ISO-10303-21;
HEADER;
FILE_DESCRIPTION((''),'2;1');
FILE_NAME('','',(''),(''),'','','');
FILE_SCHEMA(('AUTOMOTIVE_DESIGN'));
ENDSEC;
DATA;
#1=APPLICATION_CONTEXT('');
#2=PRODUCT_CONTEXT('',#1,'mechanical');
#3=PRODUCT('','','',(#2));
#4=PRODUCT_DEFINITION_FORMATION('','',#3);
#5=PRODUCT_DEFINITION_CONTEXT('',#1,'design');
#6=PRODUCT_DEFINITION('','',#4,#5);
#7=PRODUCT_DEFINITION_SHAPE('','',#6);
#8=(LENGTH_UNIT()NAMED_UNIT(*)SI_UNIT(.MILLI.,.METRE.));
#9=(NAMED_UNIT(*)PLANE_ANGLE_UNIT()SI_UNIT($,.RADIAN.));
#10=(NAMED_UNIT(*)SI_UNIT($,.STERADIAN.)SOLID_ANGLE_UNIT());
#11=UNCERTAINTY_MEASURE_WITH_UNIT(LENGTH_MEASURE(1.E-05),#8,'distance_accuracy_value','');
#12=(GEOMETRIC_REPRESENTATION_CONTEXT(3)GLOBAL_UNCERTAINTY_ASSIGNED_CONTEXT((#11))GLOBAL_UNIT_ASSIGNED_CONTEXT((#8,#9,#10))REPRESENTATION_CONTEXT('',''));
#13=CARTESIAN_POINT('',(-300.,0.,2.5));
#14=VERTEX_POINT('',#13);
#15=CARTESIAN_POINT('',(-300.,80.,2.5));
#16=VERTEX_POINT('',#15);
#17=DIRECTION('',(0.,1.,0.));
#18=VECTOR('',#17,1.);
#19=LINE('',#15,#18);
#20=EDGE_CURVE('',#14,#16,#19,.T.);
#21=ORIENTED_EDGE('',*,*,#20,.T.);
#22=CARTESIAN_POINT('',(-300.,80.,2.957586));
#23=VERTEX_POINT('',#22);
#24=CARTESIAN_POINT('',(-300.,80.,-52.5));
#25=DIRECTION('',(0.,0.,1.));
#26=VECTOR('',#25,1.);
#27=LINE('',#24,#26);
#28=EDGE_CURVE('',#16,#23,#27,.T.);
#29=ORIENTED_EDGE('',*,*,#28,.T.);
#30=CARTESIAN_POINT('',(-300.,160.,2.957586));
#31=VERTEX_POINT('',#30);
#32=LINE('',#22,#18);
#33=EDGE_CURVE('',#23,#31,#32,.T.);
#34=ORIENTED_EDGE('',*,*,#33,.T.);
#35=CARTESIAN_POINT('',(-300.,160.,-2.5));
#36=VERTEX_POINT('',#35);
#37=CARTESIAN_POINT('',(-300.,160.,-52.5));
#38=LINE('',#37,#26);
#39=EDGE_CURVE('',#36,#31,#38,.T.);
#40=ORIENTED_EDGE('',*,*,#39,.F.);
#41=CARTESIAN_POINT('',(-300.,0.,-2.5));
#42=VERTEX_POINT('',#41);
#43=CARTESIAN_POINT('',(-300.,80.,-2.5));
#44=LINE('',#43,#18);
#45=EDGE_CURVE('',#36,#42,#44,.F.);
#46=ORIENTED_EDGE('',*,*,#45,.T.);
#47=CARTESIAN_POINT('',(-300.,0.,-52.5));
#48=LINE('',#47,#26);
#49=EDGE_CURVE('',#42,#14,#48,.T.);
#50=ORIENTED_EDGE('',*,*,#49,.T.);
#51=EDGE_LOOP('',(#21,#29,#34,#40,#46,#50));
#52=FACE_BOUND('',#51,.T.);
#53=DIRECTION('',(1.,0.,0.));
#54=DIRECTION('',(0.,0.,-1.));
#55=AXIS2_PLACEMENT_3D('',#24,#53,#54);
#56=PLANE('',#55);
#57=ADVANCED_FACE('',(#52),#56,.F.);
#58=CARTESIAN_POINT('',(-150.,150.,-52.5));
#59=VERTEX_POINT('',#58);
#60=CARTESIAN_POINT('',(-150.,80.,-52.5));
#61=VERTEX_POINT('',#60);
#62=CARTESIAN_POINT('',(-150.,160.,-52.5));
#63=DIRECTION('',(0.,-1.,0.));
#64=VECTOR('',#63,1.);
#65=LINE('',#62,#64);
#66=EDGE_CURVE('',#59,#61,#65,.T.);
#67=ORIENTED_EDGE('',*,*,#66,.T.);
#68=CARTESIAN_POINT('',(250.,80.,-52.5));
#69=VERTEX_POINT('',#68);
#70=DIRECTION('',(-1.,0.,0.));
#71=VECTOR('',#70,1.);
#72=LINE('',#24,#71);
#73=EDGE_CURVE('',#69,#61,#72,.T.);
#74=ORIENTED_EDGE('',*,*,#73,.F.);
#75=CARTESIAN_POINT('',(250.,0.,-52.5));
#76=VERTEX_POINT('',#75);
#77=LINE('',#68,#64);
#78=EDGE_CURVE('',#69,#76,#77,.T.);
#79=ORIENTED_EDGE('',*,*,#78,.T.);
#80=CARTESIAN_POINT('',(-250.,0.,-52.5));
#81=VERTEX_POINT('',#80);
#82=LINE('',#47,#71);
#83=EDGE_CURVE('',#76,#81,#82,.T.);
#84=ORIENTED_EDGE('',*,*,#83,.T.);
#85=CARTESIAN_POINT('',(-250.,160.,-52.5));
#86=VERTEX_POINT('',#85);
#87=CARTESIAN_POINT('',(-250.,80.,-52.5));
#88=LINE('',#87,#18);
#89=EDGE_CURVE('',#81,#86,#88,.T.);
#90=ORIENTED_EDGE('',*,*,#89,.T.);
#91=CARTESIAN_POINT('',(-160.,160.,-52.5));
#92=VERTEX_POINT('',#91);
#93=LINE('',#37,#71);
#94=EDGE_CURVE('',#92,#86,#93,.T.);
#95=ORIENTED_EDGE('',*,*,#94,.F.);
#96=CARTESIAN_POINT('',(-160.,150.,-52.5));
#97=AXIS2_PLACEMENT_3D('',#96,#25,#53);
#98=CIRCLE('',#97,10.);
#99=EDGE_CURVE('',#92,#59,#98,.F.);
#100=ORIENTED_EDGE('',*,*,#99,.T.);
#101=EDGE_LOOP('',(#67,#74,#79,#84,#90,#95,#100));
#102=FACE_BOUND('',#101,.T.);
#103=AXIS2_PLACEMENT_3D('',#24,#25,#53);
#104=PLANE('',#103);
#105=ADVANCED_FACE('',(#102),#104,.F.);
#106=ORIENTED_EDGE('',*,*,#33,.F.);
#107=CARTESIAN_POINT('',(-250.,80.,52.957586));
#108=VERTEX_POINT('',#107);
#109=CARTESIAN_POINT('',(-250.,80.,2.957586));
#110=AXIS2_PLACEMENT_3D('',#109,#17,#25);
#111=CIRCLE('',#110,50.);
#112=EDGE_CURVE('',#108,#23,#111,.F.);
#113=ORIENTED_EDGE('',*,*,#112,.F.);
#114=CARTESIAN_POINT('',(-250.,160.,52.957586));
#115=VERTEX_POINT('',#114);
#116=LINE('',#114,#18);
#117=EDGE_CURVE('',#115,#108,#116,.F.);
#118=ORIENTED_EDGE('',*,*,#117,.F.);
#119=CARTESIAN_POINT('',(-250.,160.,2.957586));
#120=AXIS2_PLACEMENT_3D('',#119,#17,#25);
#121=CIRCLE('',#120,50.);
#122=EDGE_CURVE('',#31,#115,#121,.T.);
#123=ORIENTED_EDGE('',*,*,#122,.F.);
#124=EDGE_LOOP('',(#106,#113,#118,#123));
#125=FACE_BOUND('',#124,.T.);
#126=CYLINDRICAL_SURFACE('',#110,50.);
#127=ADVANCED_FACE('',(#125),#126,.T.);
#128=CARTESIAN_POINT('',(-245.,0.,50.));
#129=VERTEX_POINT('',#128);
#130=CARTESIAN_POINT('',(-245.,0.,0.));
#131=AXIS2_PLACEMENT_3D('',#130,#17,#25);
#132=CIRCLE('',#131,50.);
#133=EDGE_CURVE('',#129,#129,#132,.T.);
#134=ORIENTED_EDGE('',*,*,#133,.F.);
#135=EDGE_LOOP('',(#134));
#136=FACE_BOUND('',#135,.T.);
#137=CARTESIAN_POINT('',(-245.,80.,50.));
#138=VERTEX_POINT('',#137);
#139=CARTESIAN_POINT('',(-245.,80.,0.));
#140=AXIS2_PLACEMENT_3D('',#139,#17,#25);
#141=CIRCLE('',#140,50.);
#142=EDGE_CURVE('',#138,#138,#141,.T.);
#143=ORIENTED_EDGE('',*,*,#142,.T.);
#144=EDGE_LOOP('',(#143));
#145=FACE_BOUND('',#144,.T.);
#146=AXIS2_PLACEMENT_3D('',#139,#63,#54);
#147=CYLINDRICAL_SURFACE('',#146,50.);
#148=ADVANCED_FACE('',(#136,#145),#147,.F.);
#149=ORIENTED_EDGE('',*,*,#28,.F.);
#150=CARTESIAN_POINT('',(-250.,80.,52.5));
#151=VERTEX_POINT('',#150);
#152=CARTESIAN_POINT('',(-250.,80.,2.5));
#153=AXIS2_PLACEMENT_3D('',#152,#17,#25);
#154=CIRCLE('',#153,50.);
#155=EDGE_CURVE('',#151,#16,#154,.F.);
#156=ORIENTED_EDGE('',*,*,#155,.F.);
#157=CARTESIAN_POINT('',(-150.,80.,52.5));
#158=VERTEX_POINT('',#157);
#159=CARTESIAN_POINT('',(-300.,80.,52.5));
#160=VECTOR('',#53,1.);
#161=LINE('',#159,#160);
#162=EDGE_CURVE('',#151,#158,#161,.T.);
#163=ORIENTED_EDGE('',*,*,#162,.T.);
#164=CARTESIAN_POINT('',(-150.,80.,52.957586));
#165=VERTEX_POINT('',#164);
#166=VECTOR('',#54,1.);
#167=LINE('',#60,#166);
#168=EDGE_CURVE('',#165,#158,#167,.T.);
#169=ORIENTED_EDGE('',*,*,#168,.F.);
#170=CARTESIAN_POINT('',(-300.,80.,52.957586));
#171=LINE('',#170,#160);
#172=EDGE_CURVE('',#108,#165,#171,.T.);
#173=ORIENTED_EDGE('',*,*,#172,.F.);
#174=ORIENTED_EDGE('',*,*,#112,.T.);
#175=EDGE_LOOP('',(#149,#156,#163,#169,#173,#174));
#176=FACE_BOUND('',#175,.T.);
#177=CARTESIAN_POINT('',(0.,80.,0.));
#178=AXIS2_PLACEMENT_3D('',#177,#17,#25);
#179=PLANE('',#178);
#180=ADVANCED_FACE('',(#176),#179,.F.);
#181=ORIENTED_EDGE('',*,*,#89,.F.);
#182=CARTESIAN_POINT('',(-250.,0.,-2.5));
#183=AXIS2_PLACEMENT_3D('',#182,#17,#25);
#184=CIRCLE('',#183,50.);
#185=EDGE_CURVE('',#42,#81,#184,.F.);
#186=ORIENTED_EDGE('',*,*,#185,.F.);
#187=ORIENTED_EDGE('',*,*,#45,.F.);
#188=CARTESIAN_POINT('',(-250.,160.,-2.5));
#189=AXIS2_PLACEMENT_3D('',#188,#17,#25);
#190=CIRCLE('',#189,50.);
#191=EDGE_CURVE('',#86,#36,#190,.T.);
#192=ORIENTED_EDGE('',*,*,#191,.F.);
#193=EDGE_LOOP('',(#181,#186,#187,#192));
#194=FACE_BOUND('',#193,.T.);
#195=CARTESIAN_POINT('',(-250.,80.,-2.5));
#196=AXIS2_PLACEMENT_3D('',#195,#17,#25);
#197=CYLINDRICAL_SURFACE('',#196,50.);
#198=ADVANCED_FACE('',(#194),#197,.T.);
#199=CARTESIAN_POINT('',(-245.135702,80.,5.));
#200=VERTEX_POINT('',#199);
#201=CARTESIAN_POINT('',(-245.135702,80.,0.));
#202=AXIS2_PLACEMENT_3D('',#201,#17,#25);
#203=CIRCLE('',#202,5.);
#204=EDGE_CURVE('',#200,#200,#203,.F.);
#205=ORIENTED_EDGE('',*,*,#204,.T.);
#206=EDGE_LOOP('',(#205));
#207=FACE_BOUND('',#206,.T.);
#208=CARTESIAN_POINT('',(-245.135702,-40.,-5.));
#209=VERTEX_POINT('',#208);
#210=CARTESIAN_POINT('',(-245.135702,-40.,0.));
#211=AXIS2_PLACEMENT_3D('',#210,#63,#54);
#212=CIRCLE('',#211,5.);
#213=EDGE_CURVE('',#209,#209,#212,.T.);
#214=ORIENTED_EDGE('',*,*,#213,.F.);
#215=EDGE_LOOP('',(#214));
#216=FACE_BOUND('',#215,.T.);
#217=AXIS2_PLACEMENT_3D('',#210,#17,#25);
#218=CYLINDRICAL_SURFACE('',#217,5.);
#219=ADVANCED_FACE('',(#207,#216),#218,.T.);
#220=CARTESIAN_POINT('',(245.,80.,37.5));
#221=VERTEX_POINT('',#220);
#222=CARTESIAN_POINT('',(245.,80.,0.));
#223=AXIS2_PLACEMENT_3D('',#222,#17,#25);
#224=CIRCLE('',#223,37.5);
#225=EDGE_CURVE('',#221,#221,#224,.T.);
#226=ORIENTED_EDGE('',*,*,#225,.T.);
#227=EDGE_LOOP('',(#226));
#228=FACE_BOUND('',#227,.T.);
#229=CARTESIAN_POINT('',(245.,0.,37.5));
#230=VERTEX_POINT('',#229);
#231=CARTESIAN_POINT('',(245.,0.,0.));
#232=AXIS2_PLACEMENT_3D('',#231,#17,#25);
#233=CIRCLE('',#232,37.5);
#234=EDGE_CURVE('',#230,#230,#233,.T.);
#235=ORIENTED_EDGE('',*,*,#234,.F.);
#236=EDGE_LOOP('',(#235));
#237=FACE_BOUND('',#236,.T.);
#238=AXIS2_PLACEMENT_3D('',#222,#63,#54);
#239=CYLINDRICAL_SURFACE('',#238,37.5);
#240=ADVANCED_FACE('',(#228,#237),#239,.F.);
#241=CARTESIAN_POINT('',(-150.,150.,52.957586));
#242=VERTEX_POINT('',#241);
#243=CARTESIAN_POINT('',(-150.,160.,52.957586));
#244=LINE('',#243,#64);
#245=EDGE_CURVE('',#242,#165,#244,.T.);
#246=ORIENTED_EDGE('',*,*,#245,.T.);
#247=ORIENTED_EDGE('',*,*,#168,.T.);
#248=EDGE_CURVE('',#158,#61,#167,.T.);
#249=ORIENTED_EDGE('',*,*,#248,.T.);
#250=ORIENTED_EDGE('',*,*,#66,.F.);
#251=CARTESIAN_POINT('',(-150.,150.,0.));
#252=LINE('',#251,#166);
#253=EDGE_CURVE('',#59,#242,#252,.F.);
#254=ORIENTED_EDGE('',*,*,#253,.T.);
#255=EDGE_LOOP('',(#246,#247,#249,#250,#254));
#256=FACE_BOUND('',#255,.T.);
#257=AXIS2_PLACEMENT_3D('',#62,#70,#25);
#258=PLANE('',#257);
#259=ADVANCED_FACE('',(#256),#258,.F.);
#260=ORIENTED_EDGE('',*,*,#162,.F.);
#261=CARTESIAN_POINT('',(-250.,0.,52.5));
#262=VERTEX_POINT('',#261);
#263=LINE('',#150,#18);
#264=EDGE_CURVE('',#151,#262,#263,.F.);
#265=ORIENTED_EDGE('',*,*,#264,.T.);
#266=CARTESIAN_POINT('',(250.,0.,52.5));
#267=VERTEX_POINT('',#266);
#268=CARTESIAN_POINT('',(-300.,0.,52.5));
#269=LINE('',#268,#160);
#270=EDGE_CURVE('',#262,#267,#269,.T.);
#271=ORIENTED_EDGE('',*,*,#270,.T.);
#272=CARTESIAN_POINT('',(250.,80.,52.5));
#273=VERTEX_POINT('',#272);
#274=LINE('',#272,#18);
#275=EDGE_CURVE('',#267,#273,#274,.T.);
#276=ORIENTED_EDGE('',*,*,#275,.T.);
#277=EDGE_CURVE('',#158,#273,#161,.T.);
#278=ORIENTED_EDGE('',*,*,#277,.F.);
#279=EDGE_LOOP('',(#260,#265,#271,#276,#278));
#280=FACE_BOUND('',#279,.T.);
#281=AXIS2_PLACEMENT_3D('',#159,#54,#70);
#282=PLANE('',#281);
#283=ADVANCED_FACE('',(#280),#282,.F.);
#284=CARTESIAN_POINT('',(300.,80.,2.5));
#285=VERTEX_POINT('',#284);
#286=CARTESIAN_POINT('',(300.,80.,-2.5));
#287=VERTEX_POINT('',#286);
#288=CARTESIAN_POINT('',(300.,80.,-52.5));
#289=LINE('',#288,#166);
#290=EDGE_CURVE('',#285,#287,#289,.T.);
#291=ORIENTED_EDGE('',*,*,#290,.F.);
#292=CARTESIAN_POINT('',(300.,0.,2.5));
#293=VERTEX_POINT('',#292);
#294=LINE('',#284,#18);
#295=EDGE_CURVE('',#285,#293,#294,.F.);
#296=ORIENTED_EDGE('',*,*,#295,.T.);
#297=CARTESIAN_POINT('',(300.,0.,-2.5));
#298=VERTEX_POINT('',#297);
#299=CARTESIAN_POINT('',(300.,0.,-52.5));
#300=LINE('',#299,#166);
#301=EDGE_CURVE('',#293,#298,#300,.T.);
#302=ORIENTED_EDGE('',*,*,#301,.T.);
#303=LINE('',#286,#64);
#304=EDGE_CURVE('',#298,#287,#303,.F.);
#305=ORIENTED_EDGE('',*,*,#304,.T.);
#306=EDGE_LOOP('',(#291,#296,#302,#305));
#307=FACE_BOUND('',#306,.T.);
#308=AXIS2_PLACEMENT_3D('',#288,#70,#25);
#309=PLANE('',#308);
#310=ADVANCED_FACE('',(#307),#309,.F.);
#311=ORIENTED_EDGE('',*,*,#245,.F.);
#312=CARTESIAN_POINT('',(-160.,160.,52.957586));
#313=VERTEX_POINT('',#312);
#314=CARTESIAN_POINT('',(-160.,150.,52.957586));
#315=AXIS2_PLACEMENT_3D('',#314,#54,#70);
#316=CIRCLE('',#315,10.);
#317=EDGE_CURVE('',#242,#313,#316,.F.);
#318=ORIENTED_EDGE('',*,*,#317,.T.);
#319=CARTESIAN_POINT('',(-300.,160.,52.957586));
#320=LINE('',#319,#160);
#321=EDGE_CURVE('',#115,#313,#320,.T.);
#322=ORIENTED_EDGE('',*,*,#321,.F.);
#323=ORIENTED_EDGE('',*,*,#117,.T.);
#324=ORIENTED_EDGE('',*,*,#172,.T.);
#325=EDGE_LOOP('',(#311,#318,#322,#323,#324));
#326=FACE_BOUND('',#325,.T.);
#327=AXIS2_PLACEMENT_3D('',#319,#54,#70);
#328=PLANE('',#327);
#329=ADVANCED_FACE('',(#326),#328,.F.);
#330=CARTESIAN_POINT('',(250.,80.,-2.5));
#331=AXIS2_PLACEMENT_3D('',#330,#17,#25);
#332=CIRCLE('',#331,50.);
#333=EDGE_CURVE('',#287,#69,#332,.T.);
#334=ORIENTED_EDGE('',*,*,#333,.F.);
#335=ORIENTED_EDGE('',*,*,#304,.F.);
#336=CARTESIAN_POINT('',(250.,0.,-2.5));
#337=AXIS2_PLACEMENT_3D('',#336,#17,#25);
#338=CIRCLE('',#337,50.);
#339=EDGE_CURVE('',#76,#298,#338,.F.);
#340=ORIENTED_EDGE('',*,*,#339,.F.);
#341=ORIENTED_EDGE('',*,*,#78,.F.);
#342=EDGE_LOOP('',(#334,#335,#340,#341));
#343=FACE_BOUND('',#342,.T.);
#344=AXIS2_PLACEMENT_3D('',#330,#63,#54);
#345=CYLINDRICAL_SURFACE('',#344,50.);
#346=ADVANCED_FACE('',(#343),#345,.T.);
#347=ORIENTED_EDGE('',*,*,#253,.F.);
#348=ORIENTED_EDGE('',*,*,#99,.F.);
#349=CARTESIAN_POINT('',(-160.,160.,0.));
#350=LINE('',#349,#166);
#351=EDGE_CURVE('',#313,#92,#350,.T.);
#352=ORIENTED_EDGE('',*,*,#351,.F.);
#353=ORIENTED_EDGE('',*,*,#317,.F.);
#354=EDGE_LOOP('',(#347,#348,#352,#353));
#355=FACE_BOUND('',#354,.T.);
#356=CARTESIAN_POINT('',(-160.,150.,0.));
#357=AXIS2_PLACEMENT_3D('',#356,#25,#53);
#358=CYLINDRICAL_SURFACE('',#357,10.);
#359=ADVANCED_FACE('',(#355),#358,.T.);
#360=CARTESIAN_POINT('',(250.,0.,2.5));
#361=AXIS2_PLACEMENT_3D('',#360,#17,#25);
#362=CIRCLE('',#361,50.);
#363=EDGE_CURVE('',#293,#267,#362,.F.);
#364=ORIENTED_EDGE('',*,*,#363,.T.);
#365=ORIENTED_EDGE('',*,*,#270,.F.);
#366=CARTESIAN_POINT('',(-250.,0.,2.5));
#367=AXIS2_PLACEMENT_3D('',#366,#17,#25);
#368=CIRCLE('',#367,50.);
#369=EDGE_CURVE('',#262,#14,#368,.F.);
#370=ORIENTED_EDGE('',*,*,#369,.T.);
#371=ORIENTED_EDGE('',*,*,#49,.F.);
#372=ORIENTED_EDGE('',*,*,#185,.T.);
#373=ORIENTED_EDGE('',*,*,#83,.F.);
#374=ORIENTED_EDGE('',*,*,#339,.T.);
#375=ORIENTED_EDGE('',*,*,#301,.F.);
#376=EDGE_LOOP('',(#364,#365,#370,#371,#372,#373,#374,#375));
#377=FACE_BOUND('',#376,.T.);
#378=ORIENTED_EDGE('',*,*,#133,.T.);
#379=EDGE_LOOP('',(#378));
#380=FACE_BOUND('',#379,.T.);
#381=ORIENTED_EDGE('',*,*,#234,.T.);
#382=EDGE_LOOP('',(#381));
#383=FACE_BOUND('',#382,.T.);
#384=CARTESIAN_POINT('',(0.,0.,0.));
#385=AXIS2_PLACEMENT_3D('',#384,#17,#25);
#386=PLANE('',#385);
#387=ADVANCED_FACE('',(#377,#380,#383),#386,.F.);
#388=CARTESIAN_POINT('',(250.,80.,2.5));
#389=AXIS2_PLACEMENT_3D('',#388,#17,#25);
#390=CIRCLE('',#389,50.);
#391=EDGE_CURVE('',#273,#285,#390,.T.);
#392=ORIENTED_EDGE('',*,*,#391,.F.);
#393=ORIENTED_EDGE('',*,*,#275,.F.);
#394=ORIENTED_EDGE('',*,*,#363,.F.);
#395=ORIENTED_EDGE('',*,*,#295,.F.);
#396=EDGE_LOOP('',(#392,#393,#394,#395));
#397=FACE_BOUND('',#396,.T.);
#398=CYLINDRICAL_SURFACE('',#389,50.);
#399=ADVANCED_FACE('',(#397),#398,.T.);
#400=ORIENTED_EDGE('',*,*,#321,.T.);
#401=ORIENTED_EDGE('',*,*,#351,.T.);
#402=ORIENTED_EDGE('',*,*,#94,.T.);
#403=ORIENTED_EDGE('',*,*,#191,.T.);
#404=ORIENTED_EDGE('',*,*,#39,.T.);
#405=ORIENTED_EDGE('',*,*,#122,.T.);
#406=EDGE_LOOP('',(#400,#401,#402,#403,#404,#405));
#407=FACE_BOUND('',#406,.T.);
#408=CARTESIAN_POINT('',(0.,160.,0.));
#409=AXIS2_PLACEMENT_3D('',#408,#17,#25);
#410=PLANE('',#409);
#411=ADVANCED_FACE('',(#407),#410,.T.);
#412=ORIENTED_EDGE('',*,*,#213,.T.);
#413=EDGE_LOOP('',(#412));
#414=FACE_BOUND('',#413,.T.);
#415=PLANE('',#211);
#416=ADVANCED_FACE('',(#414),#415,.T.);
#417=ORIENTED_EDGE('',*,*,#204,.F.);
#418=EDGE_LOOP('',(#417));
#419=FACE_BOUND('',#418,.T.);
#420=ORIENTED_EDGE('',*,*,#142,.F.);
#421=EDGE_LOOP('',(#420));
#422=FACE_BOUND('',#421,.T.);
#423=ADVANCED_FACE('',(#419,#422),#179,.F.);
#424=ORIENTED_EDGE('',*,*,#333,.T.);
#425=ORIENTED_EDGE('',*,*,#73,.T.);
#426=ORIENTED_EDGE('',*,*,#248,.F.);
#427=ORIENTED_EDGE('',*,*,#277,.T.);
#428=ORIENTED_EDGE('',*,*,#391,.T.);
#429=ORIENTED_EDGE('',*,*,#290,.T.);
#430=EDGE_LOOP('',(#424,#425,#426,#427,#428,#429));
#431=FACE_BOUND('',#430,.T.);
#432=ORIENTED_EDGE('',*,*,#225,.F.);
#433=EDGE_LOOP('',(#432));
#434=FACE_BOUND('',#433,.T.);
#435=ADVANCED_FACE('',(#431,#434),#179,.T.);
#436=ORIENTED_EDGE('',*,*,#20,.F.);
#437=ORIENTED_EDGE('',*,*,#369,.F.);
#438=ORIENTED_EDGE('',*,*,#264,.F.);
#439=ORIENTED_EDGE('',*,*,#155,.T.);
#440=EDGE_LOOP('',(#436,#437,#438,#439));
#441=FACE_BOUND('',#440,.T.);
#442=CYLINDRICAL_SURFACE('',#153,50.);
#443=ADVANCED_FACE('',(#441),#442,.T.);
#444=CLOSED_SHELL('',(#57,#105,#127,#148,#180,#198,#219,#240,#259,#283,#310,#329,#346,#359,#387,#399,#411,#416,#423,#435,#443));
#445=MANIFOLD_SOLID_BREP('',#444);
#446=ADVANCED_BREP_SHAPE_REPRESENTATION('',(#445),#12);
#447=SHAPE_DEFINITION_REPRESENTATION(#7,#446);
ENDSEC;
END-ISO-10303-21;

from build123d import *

# Parameters (mm, degrees)
SKETCH2_W           = 600
SKETCH2_H           = 105
SKETCH2_R           = 50
SKETCH2_R_2         = 37.5
BOSS_EXTRUDE2_DEPTH = 80
SKETCH3_W           = 150
SKETCH3_H           = 105.457586359
BOSS_EXTRUDE3_DEPTH = 80
SKETCH4_R           = 5
BOSS_EXTRUDE4_DEPTH = 120
FILLET1_R           = 10
FILLET3_R           = 50
FILLET4_R           = 50
FILLET5_R           = 50
FILLET6_R           = 50
FILLET7_R           = 50


with BuildPart() as part:
    # Sketch2 → Boss-Extrude2 (new body)
    with BuildSketch(Plane(origin=(0, 0, 0), x_dir=(1, 0, 0), z_dir=(0, 1, 0))):
        Rectangle(SKETCH2_W, SKETCH2_H)
        with Locations((-245, 0)):
            Circle(SKETCH2_R, mode=Mode.SUBTRACT)
        with Locations((245, 0)):
            Circle(SKETCH2_R_2, mode=Mode.SUBTRACT)
    extrude(amount=BOSS_EXTRUDE2_DEPTH)

    # Sketch3 → Boss-Extrude3 (add)
    with BuildSketch(Plane(origin=(0, 80, 0), x_dir=(1, 0, 0), z_dir=(0, 1, 0))):
        with Locations((-225, -0.22879318)):
            Rectangle(SKETCH3_W, SKETCH3_H)
    extrude(amount=BOSS_EXTRUDE3_DEPTH)

    # Sketch4 → Boss-Extrude4 (add)
    with BuildSketch(Plane.XZ.offset(-80)):
        with Locations((-245.135702484, 0)):
            Circle(SKETCH4_R)
    extrude(amount=BOSS_EXTRUDE4_DEPTH)

    # Fillet1
    fillet1_edges = [part.edges().sort_by_distance(p)[0] for p in [
        (-150, 160, 0.22879318),
    ]]
    fillet(fillet1_edges, radius=FILLET1_R)

    # Fillet3
    fillet3_edges = [part.edges().sort_by_distance(p)[0] for p in [
        (300, 40, 52.5),
    ]]
    fillet(fillet3_edges, radius=FILLET3_R)

    # Fillet4
    fillet4_edges = [part.edges().sort_by_distance(p)[0] for p in [
        (300, 40, -52.5),
    ]]
    fillet(fillet4_edges, radius=FILLET4_R)

    # Fillet5
    fillet5_edges = [part.edges().sort_by_distance(p)[0] for p in [
        (-300, 40, 52.5),
    ]]
    fillet(fillet5_edges, radius=FILLET5_R)

    # Fillet6
    fillet6_edges = [part.edges().sort_by_distance(p)[0] for p in [
        (-300, 120, 52.957586359),
    ]]
    fillet(fillet6_edges, radius=FILLET6_R)

    # Fillet7
    fillet7_edges = [part.edges().sort_by_distance(p)[0] for p in [
        (-300, 80, -52.5),
    ]]
    fillet(fillet7_edges, radius=FILLET7_R)


solid = part.part
